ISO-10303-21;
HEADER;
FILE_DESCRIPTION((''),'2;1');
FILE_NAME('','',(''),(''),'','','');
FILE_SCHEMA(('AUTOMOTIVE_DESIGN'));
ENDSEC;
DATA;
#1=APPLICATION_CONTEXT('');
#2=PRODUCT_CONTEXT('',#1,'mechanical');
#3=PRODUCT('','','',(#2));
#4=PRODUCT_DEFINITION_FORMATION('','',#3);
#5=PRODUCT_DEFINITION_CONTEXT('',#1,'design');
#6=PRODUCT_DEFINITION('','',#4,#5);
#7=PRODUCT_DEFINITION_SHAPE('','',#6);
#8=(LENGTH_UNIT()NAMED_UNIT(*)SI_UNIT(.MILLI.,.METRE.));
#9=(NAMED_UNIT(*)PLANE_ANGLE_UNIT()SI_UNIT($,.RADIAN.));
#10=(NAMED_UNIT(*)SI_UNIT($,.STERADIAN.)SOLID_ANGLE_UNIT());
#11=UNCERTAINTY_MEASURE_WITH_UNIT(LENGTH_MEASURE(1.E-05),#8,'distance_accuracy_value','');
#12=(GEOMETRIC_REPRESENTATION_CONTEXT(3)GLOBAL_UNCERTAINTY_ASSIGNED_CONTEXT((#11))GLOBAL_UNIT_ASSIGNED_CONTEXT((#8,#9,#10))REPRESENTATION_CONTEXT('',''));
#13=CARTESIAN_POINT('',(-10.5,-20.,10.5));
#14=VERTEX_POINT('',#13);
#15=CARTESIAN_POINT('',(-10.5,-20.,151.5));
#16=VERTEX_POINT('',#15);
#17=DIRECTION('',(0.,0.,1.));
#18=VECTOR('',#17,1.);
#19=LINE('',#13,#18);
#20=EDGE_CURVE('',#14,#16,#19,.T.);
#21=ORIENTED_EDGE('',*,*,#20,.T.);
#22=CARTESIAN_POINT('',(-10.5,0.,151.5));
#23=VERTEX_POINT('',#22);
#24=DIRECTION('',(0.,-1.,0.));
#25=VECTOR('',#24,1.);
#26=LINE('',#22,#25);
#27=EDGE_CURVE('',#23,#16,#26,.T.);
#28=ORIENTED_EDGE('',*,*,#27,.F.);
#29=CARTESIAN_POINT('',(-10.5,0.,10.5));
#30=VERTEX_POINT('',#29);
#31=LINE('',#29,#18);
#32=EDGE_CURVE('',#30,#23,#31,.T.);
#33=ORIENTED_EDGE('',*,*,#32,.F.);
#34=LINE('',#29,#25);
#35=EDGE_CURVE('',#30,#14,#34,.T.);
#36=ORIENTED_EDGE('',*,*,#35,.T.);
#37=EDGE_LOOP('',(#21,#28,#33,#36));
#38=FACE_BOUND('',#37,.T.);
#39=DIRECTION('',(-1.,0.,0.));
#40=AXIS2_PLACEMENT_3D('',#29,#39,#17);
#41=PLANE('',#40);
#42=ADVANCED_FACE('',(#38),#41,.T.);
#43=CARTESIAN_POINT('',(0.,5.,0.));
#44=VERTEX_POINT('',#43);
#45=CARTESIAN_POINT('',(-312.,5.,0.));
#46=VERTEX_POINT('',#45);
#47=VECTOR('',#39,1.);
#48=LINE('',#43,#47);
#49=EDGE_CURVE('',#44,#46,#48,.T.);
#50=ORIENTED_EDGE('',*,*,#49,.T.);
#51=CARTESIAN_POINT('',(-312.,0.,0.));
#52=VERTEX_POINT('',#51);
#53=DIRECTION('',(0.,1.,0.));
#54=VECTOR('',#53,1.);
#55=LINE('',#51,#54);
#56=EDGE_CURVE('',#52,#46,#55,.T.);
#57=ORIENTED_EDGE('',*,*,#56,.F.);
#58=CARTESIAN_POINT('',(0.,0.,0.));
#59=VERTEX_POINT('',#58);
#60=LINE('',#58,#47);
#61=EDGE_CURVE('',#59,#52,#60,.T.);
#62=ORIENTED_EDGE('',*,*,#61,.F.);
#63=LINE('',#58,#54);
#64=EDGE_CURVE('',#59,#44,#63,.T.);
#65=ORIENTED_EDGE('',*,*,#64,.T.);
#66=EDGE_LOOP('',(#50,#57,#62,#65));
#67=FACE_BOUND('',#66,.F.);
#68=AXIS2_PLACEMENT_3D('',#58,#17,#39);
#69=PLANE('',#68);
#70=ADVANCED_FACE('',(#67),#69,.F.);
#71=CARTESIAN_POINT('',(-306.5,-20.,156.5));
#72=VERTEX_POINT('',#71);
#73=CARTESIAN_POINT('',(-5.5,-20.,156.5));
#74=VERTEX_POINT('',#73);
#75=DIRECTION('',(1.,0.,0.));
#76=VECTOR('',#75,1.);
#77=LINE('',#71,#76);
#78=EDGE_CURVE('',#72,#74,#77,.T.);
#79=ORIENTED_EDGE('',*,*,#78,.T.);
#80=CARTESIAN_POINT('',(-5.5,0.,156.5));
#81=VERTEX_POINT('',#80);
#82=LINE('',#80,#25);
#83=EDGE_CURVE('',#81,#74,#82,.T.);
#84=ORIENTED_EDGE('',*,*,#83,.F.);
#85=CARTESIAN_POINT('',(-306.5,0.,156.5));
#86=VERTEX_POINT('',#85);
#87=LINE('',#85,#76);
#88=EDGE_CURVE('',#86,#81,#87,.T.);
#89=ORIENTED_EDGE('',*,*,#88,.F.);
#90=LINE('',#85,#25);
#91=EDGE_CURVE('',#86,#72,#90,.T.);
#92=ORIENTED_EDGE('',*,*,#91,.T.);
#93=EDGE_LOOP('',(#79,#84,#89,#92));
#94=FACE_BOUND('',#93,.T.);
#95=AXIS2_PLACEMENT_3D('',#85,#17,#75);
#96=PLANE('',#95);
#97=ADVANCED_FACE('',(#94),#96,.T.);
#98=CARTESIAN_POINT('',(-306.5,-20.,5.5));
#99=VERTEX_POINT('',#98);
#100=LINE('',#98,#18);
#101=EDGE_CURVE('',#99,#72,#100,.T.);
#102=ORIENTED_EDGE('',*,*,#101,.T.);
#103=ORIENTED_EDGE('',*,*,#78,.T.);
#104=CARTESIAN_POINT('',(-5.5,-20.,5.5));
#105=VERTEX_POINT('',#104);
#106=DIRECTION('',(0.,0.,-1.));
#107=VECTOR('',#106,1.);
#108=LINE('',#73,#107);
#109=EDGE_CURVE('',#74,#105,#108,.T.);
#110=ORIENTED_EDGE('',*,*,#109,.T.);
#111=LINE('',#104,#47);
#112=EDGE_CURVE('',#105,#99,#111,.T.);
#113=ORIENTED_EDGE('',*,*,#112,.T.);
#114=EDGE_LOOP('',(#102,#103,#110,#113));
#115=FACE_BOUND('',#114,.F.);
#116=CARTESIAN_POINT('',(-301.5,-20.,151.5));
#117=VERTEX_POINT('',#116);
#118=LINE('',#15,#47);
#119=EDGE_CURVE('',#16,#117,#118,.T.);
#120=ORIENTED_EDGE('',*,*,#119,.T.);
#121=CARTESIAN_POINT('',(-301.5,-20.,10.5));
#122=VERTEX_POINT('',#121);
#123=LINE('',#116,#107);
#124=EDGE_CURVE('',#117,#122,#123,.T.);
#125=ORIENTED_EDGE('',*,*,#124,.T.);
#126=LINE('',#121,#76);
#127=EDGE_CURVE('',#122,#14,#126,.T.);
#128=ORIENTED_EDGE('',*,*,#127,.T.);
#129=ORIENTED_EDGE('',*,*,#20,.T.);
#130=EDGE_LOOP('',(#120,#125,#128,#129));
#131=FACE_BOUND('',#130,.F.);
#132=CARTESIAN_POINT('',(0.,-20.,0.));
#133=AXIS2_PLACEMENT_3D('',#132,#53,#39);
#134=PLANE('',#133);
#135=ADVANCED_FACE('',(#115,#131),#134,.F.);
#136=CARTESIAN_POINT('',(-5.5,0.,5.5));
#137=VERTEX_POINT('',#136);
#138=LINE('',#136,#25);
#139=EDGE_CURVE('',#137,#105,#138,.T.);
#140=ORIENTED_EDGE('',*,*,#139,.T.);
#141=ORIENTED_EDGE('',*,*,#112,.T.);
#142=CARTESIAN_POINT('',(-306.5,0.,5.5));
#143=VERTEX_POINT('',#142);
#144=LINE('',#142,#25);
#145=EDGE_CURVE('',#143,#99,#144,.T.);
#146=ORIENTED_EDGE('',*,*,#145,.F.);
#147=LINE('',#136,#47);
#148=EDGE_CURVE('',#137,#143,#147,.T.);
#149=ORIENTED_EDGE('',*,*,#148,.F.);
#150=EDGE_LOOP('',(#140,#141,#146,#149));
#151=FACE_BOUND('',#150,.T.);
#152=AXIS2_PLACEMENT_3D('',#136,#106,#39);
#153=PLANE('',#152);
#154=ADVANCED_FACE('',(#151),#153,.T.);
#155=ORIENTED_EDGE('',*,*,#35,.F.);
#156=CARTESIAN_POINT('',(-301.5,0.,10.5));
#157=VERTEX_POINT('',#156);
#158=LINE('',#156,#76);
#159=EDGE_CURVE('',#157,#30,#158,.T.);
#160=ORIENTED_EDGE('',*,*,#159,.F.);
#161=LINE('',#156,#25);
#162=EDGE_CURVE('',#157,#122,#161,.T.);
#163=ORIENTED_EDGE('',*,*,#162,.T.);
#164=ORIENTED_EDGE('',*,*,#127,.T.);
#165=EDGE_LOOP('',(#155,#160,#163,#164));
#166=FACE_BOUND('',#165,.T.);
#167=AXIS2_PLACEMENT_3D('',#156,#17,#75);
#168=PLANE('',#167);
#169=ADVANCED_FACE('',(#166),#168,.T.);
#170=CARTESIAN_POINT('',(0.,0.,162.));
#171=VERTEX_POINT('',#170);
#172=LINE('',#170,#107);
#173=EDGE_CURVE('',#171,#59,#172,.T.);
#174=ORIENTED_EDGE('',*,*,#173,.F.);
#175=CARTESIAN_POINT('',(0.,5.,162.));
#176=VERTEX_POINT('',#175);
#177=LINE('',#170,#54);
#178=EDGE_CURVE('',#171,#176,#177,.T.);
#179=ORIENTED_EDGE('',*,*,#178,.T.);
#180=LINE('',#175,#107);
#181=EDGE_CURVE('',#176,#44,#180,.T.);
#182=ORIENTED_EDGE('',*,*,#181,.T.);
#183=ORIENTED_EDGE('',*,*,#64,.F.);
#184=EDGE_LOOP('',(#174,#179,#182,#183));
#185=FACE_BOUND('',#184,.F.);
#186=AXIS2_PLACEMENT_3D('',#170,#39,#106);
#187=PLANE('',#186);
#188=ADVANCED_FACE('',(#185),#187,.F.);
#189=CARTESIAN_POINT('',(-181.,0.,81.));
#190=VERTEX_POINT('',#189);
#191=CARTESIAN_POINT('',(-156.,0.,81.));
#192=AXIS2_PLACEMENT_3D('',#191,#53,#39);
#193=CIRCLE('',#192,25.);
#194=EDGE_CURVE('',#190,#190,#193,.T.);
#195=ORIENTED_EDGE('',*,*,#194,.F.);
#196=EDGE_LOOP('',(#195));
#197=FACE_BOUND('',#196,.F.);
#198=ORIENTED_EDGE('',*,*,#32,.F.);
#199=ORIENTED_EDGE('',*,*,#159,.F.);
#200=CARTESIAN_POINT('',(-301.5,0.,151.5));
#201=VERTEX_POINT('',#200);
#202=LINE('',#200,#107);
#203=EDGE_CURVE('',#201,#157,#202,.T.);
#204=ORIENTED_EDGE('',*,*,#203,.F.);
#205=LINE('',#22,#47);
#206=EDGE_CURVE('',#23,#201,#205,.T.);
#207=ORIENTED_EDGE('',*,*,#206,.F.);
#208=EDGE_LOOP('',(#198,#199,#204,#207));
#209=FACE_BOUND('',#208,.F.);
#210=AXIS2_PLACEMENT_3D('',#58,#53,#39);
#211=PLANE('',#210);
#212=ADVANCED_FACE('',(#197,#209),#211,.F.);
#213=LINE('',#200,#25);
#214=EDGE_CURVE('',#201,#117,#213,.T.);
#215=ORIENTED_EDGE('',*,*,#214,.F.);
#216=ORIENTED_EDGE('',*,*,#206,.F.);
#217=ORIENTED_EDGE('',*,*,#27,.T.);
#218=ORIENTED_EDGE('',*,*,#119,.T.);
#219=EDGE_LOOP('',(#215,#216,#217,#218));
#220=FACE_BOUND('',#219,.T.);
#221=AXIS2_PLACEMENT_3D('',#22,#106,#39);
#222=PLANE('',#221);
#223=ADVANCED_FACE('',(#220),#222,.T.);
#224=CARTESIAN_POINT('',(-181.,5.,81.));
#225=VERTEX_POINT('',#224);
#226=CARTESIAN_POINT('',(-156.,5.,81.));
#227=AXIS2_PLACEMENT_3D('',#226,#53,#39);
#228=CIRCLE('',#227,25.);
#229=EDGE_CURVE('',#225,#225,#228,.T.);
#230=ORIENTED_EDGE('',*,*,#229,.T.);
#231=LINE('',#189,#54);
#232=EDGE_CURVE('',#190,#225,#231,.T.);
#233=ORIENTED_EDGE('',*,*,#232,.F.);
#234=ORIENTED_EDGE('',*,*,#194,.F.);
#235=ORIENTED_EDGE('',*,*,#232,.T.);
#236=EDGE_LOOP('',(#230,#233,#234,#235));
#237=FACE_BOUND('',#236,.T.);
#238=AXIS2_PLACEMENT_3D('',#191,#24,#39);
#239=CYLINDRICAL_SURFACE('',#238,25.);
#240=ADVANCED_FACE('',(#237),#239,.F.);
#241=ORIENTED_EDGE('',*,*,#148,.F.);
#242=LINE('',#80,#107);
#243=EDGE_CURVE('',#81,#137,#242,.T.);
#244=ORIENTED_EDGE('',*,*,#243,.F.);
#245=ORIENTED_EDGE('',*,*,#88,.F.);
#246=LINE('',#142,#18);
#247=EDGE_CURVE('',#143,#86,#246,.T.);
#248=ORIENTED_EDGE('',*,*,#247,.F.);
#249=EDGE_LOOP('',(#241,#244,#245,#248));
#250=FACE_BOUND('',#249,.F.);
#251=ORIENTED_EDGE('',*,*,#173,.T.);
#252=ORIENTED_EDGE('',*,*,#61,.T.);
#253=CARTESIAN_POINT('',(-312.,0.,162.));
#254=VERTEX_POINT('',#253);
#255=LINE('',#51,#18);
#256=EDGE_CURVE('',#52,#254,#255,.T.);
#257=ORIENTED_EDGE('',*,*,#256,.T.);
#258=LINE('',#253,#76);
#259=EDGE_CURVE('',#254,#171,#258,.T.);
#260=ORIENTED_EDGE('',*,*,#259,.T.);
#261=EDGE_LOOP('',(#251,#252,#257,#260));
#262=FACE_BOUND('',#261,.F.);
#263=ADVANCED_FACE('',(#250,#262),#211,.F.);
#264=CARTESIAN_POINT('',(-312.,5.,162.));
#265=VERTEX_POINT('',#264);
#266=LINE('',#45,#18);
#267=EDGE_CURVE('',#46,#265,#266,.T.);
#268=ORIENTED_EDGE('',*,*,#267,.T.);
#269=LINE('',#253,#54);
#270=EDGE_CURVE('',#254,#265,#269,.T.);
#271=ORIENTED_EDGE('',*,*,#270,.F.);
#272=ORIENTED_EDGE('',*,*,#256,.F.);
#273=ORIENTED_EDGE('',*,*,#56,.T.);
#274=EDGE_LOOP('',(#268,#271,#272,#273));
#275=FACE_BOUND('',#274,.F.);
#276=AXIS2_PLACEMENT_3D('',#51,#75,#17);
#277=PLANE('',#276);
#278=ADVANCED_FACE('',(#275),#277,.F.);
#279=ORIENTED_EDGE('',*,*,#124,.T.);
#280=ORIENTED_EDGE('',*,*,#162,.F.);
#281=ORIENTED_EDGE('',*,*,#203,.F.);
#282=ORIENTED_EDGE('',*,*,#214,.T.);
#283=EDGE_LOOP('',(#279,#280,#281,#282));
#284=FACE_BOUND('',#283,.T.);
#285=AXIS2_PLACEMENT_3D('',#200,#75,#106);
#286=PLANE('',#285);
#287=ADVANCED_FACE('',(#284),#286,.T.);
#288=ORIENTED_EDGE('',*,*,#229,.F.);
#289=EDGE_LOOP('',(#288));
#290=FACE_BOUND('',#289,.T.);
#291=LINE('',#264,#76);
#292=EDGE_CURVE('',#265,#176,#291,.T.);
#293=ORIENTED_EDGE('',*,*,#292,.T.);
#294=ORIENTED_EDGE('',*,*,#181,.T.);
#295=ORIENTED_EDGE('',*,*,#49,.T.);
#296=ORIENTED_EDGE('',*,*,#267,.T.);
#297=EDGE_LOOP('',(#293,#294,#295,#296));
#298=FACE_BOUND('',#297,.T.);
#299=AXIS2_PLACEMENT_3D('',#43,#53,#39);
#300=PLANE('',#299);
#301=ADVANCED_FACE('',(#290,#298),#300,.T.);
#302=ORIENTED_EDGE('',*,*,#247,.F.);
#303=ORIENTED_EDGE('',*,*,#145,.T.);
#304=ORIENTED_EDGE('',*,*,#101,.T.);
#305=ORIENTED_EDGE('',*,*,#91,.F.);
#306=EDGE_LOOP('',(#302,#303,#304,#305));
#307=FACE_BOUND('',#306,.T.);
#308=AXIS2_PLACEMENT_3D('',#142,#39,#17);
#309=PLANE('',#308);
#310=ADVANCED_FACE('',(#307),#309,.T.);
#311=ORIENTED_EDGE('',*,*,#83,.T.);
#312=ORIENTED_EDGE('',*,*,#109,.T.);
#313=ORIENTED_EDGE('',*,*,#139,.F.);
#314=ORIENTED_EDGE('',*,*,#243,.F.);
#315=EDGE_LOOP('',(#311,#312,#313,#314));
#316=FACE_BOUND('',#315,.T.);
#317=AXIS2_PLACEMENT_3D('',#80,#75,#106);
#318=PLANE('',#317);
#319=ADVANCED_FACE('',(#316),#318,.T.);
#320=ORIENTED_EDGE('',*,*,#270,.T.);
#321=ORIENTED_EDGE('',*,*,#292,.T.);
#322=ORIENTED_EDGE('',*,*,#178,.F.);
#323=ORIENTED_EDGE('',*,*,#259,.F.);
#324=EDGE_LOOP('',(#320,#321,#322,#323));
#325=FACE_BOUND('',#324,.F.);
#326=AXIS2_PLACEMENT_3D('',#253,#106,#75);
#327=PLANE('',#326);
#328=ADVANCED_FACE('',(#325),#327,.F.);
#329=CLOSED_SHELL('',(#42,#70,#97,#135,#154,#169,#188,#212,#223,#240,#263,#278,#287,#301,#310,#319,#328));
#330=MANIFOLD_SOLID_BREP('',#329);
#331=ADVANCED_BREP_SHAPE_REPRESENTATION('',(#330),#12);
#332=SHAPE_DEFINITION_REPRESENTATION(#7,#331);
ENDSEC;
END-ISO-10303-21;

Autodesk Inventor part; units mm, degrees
ref_plane "YZ Plane" through (0, 0, 0) normal (1, 0, 0) x (0, 1, 0)
ref_plane "XZ Plane" through (0, 0, 0) normal (0, 1, 0) x (-1, 0, 0)
ref_plane "XY Plane" through (0, 0, 0) normal (0, 0, 1) x (1, 0, 0)
sketch "Boceto1" plane through (0, 0, 0) normal (0, 1, 0) x (-1, 0, 0)
  line L0 (0, 0) -> (312, 0)
  line L1 (312, 0) -> (312, 162)
  line L2 (312, 162) -> (0, 162)
  line L3 (0, 162) -> (0, 0)
  circle A0 centre (156, 81) radius 25
  dimension "d0" = 312
  dimension "d1" = 162
  dimension "d20" = 50
extrude "Extrusión1" add sketch "Boceto1" along normal blind 5
sketch "Boceto2" plane through (0, 0, 0) normal (0, 1, 0) x (-1, 0, 0)
  line L0 (5.5, 5.5) -> (306.5, 5.5)
  line L1 (306.5, 5.5) -> (306.5, 156.5)
  line L2 (306.5, 156.5) -> (5.5, 156.5)
  line L3 (5.5, 156.5) -> (5.5, 5.5)
  line L4 (0, 0) -> (312, 0) projected
  line L5 (312, 0) -> (312, 162) projected
  line L6 (156, 0) -> (156, 97.9426) construction
  line L7 (306.5, 81) -> (119.0739, 81) construction
  line L8 (0, 162) -> (0, 0) construction
  line L9 (10.5, 151.5) -> (301.5, 151.5)
  line L10 (301.5, 151.5) -> (301.5, 10.5)
  line L11 (301.5, 10.5) -> (10.5, 10.5)
  line L12 (10.5, 10.5) -> (10.5, 151.5)
  dimension "d8" = 301
  dimension "d9" = 151
  dimension "d12" = 5.5
  dimension "d13" = 5.5
  dimension "d14" = 5
  dimension "d15" = 5
  dimension "d16" = 5
  dimension "d17" = 5
extrude "Extrusión2" add sketch "Boceto2" against normal blind 20
thread "Rosca1" size "M14x2" class "6H" standard "ANSI Metric M Profile" full length
thread "Rosca2" size "M50x4" class "6H" standard "ANSI Metric M Profile" full length
equation "\"d15\" = d14"
equation "\"d16\" = d14"
equation "\"d17\" = d14"
properties part number "Tapa" material "Plástico PBT"
